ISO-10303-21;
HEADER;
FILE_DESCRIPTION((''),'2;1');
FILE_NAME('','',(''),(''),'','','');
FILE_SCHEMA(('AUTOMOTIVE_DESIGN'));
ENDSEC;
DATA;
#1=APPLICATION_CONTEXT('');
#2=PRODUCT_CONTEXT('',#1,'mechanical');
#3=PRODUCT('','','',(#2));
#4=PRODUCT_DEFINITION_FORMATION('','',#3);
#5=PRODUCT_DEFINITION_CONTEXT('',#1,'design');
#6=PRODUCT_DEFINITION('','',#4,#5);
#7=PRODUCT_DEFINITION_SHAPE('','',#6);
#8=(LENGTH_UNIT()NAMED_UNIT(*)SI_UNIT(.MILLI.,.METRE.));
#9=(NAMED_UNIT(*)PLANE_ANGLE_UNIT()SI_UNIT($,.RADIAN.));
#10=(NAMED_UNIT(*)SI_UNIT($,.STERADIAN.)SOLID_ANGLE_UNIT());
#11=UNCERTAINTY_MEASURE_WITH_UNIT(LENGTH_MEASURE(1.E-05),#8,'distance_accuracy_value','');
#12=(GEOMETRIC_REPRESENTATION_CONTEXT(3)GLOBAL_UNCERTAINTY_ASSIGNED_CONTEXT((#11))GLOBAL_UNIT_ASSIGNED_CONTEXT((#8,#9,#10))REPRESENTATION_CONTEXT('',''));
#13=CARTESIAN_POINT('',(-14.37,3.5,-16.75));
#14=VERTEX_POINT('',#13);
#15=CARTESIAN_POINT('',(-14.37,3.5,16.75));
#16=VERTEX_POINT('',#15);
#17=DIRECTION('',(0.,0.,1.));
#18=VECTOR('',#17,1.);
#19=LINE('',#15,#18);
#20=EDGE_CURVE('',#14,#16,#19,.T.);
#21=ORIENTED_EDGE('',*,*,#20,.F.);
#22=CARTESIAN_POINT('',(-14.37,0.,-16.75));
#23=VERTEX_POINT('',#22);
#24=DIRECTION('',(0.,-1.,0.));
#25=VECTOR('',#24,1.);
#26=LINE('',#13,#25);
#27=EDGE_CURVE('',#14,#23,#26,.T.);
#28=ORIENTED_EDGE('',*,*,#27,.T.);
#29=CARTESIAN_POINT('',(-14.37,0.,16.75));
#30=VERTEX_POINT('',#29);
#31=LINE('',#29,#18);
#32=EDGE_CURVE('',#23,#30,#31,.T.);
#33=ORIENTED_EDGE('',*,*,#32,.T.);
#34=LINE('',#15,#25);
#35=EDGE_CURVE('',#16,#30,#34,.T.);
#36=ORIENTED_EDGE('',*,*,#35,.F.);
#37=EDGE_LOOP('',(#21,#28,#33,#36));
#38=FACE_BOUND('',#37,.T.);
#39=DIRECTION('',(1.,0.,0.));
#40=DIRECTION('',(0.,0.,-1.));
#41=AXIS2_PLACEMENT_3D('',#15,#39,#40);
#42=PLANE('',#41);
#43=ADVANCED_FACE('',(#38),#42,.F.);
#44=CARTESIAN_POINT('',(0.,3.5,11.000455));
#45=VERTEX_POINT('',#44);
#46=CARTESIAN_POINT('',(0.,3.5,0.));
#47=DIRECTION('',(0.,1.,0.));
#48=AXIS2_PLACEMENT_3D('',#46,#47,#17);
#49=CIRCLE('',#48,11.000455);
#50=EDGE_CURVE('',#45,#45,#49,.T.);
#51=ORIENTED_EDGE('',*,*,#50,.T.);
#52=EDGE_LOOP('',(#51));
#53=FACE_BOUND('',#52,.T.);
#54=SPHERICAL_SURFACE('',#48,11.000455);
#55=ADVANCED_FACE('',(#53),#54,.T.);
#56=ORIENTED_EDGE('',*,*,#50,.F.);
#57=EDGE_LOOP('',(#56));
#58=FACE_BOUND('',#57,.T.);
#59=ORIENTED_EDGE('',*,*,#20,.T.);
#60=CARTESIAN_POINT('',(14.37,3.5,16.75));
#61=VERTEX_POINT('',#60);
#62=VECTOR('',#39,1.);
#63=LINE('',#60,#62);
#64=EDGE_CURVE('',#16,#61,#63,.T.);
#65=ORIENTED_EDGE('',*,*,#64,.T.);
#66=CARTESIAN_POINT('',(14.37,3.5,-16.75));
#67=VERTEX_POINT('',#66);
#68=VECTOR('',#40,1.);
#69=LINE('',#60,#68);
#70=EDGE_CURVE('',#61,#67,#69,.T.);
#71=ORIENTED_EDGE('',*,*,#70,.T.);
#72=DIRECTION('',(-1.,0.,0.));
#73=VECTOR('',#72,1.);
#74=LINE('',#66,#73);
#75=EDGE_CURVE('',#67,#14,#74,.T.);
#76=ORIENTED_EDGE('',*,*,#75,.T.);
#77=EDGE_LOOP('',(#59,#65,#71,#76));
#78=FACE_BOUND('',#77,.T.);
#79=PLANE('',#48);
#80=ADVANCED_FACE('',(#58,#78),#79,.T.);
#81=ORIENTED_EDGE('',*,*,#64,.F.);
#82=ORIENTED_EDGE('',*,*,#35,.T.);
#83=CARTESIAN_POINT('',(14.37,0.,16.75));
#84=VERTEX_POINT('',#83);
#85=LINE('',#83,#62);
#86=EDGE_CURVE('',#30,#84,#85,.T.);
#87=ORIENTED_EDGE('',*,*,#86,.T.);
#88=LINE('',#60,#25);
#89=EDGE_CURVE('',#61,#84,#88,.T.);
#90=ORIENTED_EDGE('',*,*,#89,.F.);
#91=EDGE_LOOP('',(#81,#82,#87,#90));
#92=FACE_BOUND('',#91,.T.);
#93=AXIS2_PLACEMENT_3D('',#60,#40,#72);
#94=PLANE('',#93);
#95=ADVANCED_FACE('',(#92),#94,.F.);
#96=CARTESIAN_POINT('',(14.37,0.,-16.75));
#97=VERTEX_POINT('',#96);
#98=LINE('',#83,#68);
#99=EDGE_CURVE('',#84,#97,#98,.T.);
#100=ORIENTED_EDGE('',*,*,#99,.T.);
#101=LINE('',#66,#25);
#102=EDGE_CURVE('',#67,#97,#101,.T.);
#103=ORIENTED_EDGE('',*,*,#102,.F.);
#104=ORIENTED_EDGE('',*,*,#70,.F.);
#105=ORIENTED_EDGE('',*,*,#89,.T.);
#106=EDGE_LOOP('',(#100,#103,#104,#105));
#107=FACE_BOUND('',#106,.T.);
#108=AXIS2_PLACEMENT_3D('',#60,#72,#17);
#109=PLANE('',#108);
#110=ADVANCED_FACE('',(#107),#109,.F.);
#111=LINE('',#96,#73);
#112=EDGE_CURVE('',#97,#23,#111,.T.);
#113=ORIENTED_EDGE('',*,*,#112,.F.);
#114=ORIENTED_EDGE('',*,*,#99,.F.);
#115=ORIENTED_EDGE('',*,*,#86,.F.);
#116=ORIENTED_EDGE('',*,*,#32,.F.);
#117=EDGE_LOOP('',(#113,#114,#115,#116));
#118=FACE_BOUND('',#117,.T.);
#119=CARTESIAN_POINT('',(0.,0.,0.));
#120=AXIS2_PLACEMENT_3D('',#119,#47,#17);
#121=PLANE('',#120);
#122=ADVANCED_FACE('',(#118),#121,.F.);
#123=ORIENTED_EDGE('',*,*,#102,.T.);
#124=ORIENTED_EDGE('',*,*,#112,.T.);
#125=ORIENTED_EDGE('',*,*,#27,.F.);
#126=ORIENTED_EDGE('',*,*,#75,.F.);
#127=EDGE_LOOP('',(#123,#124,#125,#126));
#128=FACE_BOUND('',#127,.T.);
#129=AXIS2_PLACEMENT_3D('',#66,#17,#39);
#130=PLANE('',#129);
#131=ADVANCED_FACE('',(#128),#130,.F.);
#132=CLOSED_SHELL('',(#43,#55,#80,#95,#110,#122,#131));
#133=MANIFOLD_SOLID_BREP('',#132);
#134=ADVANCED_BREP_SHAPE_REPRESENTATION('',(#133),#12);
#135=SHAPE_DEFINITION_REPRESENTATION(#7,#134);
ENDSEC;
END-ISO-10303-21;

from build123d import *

# Parameters (mm, degrees)
SKETCH1_W           = 28.74
SKETCH1_H           = 33.5
BOSS_EXTRUDE1_DEPTH = 3.5


with BuildPart() as part:
    # Sketch1 → Boss-Extrude1 (new body)
    with BuildSketch(Plane(origin=(0, 0, 0), x_dir=(1, 0, 0), z_dir=(0, 1, 0))):
        Rectangle(SKETCH1_W, SKETCH1_H)
    extrude(amount=BOSS_EXTRUDE1_DEPTH)

    # Sketch4 → Revolve1 (revolve)
    with BuildSketch(Plane(origin=(0, 0, 0), x_dir=(0, 0, -1), z_dir=(1, 0, 0))):
        with BuildLine():
            Line((0, 0), (-11, 0))
            Line((-11, 0), (-11, 3.4))
            ThreePointArc((-11, 3.4), (-7.813771351, 11.243059943), (0, 14.500454536))
            Line((0, 14.500454536), (0, 0))
        make_face()
    revolve(axis=Axis((0, 14.500454536, 0), (0, -1, 0)))


solid = part.part
